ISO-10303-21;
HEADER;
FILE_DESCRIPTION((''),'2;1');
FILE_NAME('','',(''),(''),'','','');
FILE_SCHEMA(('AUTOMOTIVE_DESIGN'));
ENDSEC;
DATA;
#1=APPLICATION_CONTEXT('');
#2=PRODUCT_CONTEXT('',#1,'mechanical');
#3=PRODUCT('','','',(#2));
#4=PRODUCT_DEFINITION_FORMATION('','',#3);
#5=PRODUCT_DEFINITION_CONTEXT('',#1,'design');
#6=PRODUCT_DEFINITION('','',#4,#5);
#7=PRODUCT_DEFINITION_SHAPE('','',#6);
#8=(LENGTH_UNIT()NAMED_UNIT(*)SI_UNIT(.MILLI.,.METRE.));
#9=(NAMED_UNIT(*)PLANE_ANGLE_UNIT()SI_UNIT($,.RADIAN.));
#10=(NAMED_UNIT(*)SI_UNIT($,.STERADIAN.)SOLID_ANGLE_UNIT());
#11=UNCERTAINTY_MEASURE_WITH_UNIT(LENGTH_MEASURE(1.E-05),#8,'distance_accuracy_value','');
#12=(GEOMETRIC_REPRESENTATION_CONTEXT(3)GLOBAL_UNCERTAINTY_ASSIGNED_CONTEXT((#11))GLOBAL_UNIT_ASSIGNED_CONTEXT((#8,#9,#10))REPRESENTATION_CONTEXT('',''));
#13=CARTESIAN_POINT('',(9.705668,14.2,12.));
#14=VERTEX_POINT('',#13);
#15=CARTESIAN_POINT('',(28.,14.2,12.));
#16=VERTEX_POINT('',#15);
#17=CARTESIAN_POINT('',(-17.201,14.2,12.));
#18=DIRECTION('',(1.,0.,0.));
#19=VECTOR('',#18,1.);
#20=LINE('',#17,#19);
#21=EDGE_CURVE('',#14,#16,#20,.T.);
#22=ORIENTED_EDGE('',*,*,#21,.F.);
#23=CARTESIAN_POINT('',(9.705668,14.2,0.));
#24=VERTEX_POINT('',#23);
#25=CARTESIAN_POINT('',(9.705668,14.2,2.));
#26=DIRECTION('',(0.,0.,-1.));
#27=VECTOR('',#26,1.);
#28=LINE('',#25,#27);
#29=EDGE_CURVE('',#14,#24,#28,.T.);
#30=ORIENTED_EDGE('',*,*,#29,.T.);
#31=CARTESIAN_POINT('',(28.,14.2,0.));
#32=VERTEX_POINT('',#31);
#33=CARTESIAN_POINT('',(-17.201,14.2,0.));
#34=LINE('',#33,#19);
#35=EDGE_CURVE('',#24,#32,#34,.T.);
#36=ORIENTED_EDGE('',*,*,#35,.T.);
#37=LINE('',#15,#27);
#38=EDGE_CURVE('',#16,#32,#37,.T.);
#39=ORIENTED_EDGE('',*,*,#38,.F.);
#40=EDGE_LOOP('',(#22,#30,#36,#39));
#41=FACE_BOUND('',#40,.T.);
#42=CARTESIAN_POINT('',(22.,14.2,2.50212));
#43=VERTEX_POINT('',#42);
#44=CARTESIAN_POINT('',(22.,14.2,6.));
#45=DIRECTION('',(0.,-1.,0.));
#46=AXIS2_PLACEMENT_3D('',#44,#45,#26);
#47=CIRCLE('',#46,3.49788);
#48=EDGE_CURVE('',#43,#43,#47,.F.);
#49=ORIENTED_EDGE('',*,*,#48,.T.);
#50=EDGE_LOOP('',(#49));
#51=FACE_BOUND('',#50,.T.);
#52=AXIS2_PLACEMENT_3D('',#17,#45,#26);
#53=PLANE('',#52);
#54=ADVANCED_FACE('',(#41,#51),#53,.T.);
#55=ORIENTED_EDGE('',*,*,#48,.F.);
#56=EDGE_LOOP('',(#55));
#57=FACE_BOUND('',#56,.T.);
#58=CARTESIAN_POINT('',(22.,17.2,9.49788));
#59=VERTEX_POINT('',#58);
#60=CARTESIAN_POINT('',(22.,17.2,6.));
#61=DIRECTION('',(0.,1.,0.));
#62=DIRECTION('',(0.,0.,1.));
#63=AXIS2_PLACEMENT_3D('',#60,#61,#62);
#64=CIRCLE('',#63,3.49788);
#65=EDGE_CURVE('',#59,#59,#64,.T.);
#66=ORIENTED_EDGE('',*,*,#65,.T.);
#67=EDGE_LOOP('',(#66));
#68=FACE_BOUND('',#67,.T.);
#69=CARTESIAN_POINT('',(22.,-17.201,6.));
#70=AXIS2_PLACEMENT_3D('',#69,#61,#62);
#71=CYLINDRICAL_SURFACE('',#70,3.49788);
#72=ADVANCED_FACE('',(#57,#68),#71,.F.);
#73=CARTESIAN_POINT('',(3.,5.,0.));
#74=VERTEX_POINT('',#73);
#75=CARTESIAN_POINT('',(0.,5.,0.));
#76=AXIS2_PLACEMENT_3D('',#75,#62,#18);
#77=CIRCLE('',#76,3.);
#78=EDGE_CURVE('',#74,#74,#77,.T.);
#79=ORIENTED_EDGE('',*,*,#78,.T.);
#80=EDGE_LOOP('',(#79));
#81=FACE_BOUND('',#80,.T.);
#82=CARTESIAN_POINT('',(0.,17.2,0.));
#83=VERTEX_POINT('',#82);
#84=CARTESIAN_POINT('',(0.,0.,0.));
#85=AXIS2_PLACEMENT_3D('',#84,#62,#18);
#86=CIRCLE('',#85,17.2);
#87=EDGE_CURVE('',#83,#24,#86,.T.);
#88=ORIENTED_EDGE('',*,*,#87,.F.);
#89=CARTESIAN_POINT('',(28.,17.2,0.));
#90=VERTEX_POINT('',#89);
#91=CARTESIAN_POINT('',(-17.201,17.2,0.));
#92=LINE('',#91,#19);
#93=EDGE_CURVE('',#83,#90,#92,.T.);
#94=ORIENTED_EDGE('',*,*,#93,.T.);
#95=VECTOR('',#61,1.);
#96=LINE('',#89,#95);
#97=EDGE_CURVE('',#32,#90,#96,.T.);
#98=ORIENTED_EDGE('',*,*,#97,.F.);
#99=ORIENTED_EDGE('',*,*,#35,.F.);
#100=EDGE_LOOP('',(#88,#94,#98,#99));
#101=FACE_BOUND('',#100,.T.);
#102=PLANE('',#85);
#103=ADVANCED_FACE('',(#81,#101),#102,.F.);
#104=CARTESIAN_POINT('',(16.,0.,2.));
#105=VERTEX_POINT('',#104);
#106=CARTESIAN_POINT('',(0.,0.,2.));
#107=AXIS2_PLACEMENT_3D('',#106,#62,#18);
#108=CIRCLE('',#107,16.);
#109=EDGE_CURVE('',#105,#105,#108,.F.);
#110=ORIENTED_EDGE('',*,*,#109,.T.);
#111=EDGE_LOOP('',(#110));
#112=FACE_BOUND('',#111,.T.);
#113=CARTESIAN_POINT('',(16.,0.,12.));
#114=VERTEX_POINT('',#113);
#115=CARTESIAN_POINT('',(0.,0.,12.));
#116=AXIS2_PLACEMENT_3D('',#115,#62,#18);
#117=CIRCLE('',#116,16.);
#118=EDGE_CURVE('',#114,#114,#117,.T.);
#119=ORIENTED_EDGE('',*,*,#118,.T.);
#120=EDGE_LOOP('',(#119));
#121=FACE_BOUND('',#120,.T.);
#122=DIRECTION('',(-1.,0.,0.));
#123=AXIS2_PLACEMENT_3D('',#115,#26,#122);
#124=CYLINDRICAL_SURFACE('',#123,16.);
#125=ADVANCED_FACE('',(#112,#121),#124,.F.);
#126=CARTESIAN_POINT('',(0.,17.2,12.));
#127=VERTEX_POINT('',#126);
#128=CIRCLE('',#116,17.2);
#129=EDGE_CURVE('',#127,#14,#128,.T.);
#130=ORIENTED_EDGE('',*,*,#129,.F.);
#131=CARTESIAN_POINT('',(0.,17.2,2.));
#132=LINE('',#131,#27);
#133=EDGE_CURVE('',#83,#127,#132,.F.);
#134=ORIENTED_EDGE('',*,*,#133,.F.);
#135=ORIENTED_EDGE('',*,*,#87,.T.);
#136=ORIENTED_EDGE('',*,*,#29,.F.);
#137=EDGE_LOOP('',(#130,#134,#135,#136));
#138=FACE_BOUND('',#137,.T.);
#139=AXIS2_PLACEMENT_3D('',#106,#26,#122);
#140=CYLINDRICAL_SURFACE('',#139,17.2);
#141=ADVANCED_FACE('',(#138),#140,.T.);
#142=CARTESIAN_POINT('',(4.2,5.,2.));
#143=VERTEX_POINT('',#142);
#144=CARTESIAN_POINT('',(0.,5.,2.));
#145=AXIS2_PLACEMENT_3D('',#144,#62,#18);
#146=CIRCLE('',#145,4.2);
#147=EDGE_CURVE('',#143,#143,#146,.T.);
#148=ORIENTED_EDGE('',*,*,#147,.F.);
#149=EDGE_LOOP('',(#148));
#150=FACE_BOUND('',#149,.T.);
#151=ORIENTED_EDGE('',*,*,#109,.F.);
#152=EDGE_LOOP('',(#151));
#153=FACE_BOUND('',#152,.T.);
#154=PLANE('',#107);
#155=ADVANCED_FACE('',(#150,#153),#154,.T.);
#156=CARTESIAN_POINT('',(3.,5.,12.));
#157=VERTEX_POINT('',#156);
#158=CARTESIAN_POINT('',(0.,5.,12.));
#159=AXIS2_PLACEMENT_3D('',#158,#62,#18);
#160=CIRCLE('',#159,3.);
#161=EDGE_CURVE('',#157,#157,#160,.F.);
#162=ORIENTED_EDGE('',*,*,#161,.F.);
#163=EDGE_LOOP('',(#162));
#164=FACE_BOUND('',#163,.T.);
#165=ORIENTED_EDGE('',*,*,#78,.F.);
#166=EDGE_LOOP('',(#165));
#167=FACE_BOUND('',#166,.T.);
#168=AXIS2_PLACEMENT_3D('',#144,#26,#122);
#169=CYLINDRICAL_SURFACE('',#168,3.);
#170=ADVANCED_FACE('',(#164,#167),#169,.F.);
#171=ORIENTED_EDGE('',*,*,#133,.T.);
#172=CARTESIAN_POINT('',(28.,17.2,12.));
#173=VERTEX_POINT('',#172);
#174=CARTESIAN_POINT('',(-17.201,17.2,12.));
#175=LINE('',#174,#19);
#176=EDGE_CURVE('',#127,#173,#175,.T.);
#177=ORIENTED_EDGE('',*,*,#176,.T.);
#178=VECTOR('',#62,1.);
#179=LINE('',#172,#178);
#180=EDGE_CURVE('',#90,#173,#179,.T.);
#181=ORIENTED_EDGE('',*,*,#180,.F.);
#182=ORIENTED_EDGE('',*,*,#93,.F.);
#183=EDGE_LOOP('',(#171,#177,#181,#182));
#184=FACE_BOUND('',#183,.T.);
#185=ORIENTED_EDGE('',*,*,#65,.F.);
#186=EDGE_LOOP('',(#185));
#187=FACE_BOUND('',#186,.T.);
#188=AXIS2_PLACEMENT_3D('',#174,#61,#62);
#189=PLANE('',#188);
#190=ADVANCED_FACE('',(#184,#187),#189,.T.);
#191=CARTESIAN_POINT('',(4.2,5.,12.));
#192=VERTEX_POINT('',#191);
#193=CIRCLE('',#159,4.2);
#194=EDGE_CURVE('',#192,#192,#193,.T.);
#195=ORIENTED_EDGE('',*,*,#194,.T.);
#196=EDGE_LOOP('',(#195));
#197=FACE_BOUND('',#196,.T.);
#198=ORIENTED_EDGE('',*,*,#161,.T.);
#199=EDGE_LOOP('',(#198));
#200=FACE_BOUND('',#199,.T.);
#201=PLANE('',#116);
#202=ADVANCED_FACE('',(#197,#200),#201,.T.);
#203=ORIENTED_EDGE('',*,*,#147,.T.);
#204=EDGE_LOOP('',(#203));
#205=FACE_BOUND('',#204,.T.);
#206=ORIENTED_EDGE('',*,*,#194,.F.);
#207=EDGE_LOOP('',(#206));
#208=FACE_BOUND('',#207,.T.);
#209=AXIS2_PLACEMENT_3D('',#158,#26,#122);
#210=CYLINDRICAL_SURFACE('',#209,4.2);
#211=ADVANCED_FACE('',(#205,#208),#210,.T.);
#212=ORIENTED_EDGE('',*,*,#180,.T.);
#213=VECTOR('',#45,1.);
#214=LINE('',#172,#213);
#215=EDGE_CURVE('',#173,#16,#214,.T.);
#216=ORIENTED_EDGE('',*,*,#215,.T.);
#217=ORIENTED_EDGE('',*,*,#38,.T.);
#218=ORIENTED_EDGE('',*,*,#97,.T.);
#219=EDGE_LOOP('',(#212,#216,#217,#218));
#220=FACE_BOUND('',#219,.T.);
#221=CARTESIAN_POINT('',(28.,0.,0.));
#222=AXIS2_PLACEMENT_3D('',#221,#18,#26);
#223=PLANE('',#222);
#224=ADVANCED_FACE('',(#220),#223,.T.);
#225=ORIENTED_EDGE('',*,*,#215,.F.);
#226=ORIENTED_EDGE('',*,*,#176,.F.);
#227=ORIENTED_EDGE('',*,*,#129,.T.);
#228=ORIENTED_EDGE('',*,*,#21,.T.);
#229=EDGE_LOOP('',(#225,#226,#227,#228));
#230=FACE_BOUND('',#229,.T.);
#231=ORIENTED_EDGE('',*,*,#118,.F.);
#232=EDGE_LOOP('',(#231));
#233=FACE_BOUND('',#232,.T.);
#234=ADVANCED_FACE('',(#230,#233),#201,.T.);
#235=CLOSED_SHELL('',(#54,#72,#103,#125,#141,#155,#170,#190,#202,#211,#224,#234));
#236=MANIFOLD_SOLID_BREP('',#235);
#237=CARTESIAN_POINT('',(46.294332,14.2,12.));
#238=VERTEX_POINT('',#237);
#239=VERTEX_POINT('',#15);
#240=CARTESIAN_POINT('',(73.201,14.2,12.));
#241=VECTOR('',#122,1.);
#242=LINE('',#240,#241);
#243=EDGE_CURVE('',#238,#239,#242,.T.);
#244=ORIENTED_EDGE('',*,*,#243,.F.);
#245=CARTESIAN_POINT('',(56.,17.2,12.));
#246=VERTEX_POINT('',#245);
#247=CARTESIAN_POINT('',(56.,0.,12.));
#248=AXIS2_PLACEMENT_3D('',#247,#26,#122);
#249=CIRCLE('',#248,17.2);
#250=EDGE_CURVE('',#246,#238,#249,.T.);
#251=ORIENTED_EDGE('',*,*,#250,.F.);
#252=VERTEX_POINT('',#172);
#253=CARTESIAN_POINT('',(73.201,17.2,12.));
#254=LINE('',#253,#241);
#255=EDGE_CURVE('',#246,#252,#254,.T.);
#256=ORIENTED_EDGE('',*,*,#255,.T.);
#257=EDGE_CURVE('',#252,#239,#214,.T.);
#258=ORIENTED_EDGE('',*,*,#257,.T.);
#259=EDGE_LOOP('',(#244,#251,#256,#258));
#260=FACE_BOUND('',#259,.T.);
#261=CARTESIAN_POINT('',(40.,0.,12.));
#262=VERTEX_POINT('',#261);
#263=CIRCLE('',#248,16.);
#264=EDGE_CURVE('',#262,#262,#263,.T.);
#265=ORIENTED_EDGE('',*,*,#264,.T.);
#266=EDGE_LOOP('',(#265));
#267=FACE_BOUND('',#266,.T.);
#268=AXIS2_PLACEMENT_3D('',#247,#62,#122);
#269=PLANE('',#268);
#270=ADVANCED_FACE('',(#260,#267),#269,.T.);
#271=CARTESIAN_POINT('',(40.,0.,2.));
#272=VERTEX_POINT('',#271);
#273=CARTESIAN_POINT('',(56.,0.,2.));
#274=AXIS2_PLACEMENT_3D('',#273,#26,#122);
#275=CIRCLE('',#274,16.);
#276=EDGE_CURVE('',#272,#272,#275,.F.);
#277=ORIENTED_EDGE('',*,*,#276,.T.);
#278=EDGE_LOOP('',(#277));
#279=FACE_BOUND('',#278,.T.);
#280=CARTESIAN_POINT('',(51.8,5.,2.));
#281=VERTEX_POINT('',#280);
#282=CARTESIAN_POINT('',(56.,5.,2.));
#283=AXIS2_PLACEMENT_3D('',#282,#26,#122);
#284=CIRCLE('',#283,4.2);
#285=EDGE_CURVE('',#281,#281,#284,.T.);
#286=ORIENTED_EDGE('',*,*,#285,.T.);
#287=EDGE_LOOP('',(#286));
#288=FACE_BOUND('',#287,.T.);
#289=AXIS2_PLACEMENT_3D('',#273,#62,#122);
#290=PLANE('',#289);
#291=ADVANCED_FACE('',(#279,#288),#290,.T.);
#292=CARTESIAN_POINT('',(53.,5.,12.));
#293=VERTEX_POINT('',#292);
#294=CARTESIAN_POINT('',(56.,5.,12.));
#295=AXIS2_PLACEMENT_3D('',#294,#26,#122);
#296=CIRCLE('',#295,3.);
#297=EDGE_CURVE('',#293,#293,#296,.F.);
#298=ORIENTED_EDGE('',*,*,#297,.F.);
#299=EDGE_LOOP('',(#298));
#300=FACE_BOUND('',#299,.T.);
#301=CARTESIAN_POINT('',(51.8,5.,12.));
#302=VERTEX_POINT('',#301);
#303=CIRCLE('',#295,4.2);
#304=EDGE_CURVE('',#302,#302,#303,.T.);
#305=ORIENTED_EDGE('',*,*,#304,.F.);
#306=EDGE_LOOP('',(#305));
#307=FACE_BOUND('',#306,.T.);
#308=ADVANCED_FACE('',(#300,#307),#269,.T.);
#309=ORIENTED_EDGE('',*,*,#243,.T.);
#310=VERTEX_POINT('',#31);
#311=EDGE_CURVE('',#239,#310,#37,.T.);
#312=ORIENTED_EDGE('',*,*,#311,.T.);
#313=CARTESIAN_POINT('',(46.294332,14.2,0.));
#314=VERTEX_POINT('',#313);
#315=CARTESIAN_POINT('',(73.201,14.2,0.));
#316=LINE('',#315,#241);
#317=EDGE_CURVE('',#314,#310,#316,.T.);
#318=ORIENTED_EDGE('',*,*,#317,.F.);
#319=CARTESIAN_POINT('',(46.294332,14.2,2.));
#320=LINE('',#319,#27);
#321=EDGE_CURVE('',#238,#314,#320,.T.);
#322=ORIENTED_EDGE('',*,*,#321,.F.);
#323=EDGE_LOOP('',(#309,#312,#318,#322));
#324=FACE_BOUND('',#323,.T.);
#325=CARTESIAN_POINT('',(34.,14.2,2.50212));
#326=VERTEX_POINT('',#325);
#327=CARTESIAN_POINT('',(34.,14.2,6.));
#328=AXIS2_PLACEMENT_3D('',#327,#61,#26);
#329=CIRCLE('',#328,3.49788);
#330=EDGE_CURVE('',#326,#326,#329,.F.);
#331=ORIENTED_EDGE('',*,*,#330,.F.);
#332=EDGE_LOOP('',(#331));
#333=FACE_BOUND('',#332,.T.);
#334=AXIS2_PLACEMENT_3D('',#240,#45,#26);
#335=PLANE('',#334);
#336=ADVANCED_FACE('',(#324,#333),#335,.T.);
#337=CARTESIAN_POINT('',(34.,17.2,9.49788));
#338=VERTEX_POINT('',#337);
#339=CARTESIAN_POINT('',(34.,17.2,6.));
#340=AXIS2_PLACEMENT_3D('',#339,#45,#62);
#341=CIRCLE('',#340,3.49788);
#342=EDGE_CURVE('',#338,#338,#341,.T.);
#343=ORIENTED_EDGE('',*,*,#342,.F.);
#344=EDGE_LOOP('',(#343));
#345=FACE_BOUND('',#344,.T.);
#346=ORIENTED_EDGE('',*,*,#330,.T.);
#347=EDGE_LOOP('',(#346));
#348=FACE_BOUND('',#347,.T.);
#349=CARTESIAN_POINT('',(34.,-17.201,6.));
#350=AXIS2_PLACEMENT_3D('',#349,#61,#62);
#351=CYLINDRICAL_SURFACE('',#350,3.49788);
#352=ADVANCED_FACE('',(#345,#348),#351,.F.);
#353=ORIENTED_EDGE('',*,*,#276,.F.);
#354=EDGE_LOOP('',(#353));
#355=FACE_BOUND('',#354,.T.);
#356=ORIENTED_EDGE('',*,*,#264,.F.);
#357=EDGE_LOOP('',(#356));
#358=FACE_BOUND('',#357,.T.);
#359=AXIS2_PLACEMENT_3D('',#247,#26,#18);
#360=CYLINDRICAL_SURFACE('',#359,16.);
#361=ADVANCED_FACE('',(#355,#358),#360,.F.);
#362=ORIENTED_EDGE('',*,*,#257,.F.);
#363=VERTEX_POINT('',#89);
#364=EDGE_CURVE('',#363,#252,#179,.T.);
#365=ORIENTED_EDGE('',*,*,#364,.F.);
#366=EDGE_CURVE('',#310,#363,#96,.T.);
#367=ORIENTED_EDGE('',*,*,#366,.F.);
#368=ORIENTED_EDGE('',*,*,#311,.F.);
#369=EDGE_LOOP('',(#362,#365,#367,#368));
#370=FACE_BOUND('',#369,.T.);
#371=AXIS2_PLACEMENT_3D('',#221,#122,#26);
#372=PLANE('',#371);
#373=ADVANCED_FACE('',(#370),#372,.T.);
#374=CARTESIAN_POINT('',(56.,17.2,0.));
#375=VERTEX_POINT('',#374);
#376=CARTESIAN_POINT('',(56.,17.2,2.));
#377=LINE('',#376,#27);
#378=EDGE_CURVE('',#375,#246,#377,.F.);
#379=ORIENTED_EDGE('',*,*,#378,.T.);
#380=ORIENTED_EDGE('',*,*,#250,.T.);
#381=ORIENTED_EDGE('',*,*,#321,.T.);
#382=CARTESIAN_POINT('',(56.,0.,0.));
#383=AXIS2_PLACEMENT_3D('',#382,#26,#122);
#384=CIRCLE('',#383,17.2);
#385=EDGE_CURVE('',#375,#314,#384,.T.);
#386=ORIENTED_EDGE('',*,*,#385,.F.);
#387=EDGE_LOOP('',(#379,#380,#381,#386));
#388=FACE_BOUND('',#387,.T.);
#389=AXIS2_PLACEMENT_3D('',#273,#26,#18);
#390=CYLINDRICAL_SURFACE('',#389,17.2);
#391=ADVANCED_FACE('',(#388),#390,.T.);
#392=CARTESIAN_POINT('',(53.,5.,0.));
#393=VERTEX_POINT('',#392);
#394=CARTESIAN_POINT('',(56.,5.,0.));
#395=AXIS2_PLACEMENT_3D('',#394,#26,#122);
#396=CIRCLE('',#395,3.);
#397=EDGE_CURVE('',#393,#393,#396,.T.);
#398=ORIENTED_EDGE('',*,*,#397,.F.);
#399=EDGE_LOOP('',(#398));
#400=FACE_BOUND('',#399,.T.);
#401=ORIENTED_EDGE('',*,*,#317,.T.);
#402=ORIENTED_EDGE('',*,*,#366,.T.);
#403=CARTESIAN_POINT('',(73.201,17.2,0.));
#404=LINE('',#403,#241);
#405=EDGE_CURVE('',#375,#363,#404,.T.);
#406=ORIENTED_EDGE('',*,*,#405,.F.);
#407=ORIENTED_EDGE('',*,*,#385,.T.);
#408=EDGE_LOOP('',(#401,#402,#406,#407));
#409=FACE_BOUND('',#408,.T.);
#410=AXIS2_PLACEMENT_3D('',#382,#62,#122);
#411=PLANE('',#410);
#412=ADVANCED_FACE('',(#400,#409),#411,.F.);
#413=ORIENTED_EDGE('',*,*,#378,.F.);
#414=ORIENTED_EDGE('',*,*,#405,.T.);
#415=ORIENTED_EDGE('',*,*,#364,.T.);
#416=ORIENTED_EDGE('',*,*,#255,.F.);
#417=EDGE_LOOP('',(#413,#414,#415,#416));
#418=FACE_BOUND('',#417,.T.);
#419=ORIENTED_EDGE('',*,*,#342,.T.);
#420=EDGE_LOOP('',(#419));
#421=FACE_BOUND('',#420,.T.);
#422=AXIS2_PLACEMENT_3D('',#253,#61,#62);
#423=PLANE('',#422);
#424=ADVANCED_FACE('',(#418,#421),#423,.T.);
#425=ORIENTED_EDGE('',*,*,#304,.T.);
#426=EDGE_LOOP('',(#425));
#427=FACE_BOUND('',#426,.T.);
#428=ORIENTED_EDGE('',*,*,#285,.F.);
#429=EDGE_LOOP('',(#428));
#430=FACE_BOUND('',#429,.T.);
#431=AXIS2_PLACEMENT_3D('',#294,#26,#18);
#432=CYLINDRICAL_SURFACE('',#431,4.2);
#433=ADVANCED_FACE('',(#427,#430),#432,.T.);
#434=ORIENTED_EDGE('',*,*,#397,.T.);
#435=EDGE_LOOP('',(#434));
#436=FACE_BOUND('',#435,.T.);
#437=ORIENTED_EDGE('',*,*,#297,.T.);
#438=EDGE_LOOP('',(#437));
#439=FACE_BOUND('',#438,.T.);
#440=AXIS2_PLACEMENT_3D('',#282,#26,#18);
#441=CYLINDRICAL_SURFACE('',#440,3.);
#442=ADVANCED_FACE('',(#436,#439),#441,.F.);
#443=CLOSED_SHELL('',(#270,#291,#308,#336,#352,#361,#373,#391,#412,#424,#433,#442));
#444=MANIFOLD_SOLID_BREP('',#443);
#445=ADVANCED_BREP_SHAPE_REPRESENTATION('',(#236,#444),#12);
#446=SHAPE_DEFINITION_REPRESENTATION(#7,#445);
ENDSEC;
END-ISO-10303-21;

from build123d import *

# Parameters (mm, degrees)
SKETCH4_R                = 17.2
SKETCH4_R_2              = 3
BOSS_EXTRUDE3_DEPTH      = 2
SKETCH5_R                = 17.2
SKETCH5_R_2              = 16
SKETCH5_R_3              = 4.2
SKETCH5_R_4              = 3
BOSS_EXTRUDE4_DEPTH      = 10
BOSS_EXTRUDE5_REACH      = 51.829
BOSS_EXTRUDE5_END_RADIUS = 17.2
SKETCH6_W                = 12
SKETCH6_H                = 3
CUT_EXTRUDE1_REACH       = 47.95
SKETCH7_R                = 3.497879743


with BuildPart() as part:
    # Sketch4 → Boss-Extrude3 (new body)
    with BuildSketch(Plane.XY):
        Circle(SKETCH4_R)
        with Locations((0, 5)):
            Circle(SKETCH4_R_2, mode=Mode.SUBTRACT)
    extrude(amount=BOSS_EXTRUDE3_DEPTH)

    # Sketch5 → Boss-Extrude4 (add)
    # profile 1 of 2: a face of its own
    with BuildSketch(Plane.XY.offset(2)):
        Circle(SKETCH5_R)
        Circle(SKETCH5_R_2, mode=Mode.SUBTRACT)
    # profile 2 of 2: a face of its own
    with BuildSketch(Plane.XY.offset(2)):
        with Locations((0, 5)):
            Circle(SKETCH5_R_3)
        with Locations((0, 5)):
            Circle(SKETCH5_R_4, mode=Mode.SUBTRACT)
    extrude(amount=BOSS_EXTRUDE4_DEPTH)

    # Boss-Extrude5: up to this cylinder (the profile starts outside it)
    boss_extrude5_end = Plane(origin=(0, 0, 6), z_dir=(0, 0, -1)) * Cylinder(BOSS_EXTRUDE5_END_RADIUS, 139.058, mode=Mode.PRIVATE)
    # Sketch6 → Boss-Extrude5 (add, up to the surface)
    with BuildSketch(Plane(origin=(28, 0, 0), x_dir=(0, 0, -1), z_dir=(1, 0, 0)), mode=Mode.PRIVATE) as boss_extrude5_sk1:
        with Locations((-6, 15.7)):
            Rectangle(SKETCH6_W, SKETCH6_H)
    boss_extrude5_tool1 = extrude(boss_extrude5_sk1.sketch, amount=-BOSS_EXTRUDE5_REACH, mode=Mode.PRIVATE) - boss_extrude5_end
    add(boss_extrude5_tool1.solids().sort_by_distance((28, 15.7, 6))[0])

    # Sketch7 → Cut-Extrude1 (cut, up to next)
    with BuildSketch(Plane(origin=(0, 17.2, 0), x_dir=(1, 0, 0), z_dir=(0, 1, 0)), mode=Mode.PRIVATE) as cut_extrude1_sk1:
        with Locations(Location((22, -6, 0), (0, 0, 270))):
            Circle(SKETCH7_R)
    cut_extrude1_tool1 = extrude(cut_extrude1_sk1.sketch, amount=-CUT_EXTRUDE1_REACH, mode=Mode.PRIVATE) & part.part
    add(cut_extrude1_tool1.solids().sort_by_distance((22, 17.2, 6))[0], mode=Mode.SUBTRACT)


with BuildPart() as body_2:
    # Mirror1: mirrored copy
    add(part.part.mirror(Plane(origin=(28, 0, 0), x_dir=(0, 0, 1), z_dir=(1, 0, 0))))


solid = Compound([part.part, body_2.part])
